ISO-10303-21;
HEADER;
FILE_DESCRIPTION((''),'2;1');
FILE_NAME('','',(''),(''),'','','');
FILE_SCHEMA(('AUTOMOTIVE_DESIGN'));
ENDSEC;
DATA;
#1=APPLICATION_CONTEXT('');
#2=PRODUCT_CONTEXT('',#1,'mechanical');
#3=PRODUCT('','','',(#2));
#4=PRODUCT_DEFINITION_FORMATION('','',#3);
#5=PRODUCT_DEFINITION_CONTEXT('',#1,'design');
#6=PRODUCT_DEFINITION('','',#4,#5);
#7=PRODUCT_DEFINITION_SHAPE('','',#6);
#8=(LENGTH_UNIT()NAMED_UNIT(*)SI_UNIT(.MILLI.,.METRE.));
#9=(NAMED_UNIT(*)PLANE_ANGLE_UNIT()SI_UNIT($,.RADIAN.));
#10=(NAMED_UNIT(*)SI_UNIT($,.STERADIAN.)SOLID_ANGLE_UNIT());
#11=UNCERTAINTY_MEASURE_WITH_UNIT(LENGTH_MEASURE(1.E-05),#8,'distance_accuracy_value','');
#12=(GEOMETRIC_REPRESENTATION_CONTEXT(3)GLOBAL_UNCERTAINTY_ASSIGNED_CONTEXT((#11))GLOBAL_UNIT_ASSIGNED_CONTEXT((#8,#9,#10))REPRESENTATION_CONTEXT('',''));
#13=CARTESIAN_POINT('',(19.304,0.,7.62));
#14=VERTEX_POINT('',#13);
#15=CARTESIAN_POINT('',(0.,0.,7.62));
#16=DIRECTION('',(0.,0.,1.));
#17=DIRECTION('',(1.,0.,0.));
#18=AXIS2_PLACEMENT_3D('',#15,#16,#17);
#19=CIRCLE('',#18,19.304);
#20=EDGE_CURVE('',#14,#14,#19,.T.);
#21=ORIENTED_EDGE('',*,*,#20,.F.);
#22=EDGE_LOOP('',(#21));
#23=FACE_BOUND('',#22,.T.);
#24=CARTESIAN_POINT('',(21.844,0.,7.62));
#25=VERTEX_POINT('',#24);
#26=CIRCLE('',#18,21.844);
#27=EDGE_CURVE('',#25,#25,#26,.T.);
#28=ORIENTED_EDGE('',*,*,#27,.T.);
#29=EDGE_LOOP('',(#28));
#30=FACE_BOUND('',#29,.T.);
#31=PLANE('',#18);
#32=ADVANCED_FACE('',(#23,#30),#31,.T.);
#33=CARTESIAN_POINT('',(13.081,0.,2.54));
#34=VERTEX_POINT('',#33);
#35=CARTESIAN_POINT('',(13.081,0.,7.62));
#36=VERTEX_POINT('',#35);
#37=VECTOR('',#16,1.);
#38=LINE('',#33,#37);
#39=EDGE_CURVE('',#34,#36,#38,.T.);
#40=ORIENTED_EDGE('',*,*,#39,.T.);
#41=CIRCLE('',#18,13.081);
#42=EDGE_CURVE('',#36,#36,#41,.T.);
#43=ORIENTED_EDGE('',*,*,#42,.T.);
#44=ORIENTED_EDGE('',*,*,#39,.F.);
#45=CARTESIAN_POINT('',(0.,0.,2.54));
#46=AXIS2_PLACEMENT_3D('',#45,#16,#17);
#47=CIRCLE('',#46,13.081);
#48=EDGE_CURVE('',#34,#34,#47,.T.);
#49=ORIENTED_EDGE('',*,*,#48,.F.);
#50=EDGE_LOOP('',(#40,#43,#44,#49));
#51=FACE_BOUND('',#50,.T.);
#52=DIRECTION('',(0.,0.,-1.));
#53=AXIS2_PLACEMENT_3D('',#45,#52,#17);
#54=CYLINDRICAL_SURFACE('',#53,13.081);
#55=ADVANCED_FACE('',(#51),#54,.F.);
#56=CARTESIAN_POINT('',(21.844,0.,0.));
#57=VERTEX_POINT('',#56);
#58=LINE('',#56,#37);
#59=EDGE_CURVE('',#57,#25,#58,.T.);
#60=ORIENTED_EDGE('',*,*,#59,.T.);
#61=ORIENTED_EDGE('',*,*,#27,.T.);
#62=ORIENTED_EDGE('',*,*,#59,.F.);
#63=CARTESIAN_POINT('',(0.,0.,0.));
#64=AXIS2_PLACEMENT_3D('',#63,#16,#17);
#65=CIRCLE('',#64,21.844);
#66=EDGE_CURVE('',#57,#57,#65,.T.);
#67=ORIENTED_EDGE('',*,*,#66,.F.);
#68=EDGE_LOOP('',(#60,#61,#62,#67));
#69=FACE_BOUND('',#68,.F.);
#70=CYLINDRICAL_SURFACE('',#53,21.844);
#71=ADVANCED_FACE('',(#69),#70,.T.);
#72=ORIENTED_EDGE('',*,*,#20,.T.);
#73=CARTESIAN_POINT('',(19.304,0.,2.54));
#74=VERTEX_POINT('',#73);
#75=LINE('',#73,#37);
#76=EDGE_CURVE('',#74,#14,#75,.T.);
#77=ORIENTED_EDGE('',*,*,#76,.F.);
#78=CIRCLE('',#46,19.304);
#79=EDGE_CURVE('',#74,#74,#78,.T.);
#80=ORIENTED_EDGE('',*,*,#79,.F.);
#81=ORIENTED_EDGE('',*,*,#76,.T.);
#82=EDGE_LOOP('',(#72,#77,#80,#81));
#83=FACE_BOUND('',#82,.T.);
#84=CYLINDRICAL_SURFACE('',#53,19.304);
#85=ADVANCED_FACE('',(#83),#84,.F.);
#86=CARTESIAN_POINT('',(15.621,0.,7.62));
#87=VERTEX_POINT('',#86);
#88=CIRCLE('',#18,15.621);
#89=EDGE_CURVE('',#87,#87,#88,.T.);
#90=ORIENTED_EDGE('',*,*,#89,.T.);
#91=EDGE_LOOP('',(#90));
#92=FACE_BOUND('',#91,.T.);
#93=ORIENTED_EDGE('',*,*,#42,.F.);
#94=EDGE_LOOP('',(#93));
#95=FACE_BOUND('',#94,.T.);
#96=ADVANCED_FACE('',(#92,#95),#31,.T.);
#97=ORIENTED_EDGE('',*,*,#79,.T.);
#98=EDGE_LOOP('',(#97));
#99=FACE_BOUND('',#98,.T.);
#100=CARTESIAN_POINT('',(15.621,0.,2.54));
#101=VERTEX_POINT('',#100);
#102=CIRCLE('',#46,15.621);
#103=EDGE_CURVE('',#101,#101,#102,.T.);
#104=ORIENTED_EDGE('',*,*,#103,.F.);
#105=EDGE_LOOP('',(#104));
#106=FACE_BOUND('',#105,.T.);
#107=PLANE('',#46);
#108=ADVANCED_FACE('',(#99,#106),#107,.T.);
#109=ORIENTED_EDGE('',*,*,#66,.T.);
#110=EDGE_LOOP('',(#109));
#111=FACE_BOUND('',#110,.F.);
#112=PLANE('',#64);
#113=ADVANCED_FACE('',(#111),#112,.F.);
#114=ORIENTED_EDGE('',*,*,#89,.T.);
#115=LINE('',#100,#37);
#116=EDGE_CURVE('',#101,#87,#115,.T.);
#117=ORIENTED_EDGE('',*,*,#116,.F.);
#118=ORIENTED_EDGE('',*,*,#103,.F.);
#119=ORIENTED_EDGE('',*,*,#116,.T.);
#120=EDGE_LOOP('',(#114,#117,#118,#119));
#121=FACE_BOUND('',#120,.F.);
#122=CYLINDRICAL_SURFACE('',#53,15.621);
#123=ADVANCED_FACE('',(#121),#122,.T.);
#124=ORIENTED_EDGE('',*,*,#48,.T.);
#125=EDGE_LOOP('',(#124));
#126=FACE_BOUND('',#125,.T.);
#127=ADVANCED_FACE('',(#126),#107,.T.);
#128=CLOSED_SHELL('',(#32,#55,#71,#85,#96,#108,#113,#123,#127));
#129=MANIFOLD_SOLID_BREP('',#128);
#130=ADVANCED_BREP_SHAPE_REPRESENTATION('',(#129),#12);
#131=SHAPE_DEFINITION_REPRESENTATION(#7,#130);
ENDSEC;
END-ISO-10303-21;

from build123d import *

# Parameters (mm, degrees)
F0_R     = 21.844
F1_DEPTH = 2.54
F2_R     = 21.844
F2_R_2   = 19.304
F3_R     = 15.621
F3_R_2   = 13.081
F4_DEPTH = 5.08


with BuildPart() as f1:
    # F0 (on Top) → F1 (new body)
    with BuildSketch(Plane.XY):
        Circle(F0_R)
    extrude(amount=F1_DEPTH)

    # F2 (on face) + F3 (on face) → F4 (join)
    with BuildSketch(Plane.XY.offset(2.54)):
        Circle(F2_R)
        Circle(F2_R_2, mode=Mode.SUBTRACT)
    with BuildSketch(Plane.XY.offset(2.54)):
        Circle(F3_R)
        Circle(F3_R_2, mode=Mode.SUBTRACT)
    extrude(amount=F4_DEPTH)


solid = f1.part
